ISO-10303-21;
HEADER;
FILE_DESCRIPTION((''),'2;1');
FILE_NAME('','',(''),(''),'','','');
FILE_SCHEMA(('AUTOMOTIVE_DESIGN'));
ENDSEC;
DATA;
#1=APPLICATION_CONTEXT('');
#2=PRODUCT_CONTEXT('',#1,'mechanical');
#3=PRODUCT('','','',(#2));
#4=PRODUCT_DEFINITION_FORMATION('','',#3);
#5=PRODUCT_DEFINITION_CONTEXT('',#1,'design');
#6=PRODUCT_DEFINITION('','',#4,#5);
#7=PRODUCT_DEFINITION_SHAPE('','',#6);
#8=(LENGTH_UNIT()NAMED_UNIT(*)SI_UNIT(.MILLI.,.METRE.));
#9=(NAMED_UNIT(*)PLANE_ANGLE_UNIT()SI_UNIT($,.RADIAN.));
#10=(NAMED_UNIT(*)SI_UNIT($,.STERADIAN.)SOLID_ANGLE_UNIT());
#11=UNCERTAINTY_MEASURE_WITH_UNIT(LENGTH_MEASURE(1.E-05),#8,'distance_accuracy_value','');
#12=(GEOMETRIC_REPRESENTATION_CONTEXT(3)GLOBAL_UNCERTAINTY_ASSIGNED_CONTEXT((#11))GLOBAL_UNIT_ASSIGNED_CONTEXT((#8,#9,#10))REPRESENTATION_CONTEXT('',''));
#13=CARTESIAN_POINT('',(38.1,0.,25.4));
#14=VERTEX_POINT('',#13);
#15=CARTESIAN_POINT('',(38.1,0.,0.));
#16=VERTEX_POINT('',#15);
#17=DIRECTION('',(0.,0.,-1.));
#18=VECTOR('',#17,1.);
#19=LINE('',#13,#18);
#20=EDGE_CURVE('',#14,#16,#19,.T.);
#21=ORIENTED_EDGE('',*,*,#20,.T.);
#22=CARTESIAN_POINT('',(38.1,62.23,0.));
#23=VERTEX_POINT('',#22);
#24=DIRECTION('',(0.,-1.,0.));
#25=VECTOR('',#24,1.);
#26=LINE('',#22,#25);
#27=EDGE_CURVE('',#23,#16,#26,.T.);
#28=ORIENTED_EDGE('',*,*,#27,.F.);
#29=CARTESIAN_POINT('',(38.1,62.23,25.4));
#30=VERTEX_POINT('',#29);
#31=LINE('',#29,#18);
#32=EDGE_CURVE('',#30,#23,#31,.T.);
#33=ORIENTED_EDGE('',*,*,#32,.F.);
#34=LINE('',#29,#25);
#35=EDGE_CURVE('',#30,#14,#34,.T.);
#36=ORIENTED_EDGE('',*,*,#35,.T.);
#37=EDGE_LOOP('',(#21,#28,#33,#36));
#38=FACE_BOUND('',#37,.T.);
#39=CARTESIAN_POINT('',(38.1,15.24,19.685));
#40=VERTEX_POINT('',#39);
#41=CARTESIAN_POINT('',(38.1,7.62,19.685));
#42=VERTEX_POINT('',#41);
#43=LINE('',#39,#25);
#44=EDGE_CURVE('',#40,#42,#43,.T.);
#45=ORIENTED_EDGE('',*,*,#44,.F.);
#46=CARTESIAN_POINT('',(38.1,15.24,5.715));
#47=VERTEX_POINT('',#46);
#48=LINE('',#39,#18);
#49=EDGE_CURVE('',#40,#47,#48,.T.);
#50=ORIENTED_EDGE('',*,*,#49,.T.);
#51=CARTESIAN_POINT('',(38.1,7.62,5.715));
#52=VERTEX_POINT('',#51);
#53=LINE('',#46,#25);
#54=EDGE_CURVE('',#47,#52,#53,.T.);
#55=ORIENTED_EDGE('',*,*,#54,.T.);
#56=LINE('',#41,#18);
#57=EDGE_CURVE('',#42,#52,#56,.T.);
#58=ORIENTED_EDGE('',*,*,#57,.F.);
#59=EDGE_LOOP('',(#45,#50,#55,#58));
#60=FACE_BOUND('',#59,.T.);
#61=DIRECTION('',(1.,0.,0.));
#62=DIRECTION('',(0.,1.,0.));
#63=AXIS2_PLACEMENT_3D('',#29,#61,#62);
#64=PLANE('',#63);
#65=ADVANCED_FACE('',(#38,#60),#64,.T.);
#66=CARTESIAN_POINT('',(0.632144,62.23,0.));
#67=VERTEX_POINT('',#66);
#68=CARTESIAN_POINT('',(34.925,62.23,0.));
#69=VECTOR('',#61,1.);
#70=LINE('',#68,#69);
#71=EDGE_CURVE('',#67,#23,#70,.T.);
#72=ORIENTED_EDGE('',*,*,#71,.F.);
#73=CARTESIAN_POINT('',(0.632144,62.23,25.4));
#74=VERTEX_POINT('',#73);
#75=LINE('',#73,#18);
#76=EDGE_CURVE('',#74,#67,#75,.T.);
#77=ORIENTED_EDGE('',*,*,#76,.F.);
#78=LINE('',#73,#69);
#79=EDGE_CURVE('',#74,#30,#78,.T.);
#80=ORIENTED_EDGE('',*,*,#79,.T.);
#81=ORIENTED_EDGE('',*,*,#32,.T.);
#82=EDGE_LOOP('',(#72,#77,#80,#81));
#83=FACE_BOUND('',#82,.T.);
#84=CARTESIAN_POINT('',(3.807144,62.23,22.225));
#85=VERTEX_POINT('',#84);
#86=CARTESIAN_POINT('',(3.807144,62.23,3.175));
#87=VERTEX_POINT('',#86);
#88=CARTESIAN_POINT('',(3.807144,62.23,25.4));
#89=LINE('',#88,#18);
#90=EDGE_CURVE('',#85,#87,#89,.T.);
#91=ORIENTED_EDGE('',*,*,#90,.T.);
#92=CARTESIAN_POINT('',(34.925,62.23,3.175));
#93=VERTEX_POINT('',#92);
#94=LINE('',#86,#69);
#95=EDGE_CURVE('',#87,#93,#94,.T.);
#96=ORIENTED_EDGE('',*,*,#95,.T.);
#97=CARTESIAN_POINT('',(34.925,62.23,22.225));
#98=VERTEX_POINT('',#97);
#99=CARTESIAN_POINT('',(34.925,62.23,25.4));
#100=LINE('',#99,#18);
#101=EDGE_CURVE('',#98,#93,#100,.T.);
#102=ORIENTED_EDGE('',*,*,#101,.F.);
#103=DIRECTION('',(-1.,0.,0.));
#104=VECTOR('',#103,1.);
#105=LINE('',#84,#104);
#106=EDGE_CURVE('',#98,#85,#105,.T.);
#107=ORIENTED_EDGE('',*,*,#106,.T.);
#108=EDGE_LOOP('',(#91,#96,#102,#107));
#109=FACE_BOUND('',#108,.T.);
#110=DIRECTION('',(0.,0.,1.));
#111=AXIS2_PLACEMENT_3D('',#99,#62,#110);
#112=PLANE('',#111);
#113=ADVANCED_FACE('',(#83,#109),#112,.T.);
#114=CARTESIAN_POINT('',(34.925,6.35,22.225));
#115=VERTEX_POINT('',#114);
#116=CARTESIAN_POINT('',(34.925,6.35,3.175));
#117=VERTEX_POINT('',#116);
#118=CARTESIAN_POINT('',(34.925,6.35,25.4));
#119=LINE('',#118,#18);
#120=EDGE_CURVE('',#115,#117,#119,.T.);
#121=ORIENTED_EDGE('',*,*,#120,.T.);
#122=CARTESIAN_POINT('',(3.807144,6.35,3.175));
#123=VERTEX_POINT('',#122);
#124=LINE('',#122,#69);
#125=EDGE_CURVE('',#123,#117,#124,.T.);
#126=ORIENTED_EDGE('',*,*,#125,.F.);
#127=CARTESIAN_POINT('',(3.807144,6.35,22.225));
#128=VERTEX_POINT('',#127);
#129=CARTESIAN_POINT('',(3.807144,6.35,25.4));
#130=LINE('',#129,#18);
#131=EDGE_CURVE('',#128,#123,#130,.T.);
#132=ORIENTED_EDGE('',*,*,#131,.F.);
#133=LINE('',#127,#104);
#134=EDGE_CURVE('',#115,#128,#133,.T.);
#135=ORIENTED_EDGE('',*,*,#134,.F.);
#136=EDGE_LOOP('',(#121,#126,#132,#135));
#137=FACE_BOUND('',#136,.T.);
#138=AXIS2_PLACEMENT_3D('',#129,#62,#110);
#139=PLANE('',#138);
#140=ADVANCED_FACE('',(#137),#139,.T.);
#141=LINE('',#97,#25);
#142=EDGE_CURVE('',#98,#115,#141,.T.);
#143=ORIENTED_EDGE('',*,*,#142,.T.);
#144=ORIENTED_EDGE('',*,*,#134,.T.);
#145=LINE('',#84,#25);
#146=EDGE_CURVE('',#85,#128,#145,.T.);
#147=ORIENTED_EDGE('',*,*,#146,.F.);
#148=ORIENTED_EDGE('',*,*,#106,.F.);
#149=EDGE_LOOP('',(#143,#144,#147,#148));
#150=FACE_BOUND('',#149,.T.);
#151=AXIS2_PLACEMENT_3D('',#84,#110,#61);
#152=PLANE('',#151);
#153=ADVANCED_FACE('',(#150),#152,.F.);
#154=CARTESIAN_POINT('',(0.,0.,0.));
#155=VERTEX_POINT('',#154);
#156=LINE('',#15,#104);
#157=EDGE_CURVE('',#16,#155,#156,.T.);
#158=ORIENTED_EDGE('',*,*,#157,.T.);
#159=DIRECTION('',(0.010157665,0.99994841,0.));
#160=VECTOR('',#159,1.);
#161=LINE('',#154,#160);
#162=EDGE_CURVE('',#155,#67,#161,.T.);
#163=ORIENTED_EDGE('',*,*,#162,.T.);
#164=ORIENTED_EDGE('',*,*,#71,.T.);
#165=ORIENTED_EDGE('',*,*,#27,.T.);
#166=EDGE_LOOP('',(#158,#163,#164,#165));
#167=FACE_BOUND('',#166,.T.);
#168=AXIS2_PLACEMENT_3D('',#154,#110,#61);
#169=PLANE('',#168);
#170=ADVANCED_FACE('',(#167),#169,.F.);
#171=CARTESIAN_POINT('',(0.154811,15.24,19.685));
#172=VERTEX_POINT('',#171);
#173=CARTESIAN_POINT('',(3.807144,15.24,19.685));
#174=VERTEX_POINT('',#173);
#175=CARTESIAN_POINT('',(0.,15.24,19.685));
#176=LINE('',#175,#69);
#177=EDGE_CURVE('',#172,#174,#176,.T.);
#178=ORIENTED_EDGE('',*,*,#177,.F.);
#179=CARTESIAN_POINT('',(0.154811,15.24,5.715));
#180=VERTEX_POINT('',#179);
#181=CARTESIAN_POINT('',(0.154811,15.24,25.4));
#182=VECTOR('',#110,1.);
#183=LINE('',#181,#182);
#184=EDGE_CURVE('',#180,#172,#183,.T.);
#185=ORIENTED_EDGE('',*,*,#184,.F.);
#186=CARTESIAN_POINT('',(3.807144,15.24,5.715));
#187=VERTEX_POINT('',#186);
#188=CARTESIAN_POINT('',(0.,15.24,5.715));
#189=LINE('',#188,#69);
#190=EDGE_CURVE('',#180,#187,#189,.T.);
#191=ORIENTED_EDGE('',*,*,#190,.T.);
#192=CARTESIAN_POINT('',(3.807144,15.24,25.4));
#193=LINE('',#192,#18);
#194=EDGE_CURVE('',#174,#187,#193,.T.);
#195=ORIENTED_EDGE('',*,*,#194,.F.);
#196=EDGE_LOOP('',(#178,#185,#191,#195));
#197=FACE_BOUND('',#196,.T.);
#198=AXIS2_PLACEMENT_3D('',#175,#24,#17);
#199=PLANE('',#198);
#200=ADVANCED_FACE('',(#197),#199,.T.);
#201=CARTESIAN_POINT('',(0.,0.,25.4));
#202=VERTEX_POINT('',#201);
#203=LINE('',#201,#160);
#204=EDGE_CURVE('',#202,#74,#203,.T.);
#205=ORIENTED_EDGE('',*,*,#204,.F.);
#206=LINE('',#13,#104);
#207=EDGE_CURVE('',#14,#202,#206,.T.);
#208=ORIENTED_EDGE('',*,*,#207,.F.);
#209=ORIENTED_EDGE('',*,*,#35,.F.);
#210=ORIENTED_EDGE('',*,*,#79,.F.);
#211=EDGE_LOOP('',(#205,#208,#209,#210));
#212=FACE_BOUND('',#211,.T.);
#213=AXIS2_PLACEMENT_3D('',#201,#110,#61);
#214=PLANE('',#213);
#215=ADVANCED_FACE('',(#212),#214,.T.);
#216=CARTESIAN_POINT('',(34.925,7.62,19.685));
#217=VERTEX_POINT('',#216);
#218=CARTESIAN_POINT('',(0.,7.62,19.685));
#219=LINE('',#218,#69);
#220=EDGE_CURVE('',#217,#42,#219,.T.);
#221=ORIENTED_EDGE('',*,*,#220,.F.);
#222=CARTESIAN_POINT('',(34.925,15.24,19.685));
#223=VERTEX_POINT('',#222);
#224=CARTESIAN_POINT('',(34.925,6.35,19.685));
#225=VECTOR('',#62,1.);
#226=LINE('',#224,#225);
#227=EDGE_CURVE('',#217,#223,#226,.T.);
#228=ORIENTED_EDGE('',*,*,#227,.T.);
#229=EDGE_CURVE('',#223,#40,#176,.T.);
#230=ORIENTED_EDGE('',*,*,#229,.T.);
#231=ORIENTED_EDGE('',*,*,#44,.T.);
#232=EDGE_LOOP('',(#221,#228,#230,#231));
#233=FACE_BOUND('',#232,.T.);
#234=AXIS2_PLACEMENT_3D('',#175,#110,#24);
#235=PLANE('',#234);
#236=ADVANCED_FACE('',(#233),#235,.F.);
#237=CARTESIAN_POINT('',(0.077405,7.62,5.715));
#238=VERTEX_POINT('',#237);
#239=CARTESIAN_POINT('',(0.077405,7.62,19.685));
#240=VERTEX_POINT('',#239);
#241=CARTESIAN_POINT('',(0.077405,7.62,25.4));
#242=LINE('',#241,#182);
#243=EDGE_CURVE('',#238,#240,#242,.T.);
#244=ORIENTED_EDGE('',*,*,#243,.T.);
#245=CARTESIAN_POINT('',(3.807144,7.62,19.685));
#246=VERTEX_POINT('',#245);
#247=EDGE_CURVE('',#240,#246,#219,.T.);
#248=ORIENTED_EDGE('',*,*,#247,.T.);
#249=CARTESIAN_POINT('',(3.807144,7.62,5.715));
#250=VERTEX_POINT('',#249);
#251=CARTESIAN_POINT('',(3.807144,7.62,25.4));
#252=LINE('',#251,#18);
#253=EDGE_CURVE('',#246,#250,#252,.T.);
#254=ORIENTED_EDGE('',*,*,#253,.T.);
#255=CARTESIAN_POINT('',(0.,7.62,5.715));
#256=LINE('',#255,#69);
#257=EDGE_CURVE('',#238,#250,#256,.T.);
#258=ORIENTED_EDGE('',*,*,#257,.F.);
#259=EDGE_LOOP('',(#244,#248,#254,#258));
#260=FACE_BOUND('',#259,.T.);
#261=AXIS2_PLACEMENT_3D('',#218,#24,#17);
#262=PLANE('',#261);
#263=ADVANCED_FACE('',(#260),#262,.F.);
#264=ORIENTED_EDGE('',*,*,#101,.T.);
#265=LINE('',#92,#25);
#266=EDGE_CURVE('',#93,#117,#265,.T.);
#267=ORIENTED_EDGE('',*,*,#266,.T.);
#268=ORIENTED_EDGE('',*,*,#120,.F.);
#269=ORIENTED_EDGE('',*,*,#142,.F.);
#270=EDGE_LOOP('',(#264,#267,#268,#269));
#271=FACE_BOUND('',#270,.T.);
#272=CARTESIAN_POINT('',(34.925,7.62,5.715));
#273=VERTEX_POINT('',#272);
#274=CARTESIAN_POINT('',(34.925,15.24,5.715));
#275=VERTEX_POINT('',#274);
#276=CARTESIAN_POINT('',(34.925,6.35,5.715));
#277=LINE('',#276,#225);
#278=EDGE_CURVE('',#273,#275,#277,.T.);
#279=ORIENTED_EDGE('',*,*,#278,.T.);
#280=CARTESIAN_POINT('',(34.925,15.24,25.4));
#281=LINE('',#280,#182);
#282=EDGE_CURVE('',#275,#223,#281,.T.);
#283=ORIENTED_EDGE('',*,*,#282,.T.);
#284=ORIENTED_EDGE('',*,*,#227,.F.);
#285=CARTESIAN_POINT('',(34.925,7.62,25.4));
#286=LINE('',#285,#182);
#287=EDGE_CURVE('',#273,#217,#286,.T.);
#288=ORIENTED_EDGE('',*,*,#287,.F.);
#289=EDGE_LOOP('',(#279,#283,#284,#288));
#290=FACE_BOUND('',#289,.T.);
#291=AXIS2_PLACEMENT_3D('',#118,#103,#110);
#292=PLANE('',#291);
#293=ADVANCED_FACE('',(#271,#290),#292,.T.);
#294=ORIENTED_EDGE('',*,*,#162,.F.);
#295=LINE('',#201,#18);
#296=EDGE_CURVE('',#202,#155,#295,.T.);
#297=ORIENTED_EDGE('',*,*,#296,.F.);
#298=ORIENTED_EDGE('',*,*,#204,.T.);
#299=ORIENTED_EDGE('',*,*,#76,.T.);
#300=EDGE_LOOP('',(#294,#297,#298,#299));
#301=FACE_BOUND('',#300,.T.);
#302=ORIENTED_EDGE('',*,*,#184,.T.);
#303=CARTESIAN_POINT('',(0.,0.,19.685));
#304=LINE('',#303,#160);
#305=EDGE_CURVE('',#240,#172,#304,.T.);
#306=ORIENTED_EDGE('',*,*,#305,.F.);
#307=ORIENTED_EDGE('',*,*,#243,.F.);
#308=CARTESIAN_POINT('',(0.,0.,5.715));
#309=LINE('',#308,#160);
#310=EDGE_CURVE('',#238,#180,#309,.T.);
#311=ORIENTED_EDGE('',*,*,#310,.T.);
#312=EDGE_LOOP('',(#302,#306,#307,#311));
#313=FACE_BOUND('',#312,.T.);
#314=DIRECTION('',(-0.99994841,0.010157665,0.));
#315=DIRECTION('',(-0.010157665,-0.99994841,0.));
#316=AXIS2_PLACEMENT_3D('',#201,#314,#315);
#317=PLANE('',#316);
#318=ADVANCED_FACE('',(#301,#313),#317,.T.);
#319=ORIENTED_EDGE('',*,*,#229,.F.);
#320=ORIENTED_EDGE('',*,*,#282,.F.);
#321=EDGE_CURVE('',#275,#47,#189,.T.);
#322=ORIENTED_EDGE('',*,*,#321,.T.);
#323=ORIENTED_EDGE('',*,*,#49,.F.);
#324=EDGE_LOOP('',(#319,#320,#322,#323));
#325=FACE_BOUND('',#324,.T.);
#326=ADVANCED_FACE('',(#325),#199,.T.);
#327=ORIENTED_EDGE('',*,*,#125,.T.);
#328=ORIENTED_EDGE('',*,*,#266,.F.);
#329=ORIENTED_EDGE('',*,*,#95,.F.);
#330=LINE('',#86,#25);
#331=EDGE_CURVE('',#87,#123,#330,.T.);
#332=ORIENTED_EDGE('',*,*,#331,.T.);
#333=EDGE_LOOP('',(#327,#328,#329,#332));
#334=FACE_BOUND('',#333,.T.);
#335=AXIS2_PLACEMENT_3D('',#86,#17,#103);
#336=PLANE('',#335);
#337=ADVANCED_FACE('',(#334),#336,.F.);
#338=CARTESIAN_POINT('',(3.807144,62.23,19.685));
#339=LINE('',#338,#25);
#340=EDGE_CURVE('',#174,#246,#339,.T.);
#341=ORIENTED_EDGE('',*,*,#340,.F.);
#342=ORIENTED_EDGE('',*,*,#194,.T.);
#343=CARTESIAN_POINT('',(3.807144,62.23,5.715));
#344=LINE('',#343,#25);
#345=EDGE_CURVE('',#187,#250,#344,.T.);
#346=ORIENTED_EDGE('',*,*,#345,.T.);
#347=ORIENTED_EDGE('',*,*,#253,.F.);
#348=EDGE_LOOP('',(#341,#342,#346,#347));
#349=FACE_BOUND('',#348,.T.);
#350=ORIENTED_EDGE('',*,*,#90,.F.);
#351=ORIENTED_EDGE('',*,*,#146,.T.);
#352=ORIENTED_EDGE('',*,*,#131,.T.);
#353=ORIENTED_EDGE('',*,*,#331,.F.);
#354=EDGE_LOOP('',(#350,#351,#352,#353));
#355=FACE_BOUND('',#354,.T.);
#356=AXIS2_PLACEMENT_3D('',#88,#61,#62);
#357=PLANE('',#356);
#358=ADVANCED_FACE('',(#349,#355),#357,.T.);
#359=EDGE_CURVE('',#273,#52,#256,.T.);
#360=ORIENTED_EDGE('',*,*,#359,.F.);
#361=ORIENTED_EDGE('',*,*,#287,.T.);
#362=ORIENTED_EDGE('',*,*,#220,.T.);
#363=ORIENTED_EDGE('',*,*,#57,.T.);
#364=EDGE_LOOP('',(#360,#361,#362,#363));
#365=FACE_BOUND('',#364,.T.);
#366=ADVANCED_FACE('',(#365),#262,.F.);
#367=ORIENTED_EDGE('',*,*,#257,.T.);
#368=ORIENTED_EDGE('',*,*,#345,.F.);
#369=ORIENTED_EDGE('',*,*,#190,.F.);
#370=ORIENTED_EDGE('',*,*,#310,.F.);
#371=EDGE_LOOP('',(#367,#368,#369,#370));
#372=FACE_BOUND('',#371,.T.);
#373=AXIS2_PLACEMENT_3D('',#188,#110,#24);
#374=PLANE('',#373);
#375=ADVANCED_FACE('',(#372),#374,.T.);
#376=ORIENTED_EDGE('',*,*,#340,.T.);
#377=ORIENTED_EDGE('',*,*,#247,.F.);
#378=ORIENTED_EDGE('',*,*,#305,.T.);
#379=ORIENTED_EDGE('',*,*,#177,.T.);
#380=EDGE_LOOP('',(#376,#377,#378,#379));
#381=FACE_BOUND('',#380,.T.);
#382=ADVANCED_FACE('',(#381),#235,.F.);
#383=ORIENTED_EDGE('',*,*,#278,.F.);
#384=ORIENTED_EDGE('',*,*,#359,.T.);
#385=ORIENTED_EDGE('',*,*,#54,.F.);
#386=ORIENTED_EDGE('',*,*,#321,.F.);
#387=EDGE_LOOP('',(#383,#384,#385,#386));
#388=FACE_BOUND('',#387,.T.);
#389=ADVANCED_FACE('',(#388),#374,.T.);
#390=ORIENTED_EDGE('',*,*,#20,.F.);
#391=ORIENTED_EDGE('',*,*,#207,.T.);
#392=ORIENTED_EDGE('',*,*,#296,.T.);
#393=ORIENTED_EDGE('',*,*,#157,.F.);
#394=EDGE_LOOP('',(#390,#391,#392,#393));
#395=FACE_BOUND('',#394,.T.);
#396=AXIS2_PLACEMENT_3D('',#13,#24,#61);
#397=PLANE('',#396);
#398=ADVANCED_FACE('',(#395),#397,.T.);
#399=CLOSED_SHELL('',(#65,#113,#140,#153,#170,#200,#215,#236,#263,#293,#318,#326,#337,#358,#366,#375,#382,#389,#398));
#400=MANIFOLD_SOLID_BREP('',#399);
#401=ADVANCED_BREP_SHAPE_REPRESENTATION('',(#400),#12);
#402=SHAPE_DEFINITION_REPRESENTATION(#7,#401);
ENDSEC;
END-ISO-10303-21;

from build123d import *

# Parameters (mm, degrees)
BOSS_EXTRUDE1_DEPTH = 25.4
SKETCH3_W           = 13.97
SKETCH3_H           = 7.62
CUT_EXTRUDE1_DEPTH  = 78.261522765
SKETCH4_W           = 31.117855917
SKETCH4_H           = 3.175
BOSS_EXTRUDE2_DEPTH = 55.88


with BuildPart() as part:
    # Sketch2 → Boss-Extrude1 (new body)
    with BuildSketch(Plane.XY):
        Polygon((0, 0), (0.632144083, 62.23), (3.807144083, 62.23), (3.807144083, 6.35), (34.925, 6.35), (34.925, 62.23), (38.1, 62.23), (38.1, 0), align=None)
    extrude(amount=BOSS_EXTRUDE1_DEPTH)

    # Sketch3 → Cut-Extrude1 (cut, through all)
    with BuildSketch(Plane(origin=(38.1, 0, 0), x_dir=(0, 0, -1), z_dir=(1, 0, 0))):
        with Locations((-12.7, 11.43)):
            Rectangle(SKETCH3_W, SKETCH3_H)
    extrude(amount=-CUT_EXTRUDE1_DEPTH, mode=Mode.SUBTRACT)

    # Sketch4 → Boss-Extrude2 (add)
    with BuildSketch(Plane(origin=(0, 6.35, 0), x_dir=(1, 0, 0), z_dir=(0, 1, 0))):
        with Locations((19.366072042, -1.5875)):
            Rectangle(SKETCH4_W, SKETCH4_H)
        with Locations((19.366072042, -23.8125)):
            Rectangle(SKETCH4_W, SKETCH4_H)
    extrude(amount=BOSS_EXTRUDE2_DEPTH)


solid = part.part
